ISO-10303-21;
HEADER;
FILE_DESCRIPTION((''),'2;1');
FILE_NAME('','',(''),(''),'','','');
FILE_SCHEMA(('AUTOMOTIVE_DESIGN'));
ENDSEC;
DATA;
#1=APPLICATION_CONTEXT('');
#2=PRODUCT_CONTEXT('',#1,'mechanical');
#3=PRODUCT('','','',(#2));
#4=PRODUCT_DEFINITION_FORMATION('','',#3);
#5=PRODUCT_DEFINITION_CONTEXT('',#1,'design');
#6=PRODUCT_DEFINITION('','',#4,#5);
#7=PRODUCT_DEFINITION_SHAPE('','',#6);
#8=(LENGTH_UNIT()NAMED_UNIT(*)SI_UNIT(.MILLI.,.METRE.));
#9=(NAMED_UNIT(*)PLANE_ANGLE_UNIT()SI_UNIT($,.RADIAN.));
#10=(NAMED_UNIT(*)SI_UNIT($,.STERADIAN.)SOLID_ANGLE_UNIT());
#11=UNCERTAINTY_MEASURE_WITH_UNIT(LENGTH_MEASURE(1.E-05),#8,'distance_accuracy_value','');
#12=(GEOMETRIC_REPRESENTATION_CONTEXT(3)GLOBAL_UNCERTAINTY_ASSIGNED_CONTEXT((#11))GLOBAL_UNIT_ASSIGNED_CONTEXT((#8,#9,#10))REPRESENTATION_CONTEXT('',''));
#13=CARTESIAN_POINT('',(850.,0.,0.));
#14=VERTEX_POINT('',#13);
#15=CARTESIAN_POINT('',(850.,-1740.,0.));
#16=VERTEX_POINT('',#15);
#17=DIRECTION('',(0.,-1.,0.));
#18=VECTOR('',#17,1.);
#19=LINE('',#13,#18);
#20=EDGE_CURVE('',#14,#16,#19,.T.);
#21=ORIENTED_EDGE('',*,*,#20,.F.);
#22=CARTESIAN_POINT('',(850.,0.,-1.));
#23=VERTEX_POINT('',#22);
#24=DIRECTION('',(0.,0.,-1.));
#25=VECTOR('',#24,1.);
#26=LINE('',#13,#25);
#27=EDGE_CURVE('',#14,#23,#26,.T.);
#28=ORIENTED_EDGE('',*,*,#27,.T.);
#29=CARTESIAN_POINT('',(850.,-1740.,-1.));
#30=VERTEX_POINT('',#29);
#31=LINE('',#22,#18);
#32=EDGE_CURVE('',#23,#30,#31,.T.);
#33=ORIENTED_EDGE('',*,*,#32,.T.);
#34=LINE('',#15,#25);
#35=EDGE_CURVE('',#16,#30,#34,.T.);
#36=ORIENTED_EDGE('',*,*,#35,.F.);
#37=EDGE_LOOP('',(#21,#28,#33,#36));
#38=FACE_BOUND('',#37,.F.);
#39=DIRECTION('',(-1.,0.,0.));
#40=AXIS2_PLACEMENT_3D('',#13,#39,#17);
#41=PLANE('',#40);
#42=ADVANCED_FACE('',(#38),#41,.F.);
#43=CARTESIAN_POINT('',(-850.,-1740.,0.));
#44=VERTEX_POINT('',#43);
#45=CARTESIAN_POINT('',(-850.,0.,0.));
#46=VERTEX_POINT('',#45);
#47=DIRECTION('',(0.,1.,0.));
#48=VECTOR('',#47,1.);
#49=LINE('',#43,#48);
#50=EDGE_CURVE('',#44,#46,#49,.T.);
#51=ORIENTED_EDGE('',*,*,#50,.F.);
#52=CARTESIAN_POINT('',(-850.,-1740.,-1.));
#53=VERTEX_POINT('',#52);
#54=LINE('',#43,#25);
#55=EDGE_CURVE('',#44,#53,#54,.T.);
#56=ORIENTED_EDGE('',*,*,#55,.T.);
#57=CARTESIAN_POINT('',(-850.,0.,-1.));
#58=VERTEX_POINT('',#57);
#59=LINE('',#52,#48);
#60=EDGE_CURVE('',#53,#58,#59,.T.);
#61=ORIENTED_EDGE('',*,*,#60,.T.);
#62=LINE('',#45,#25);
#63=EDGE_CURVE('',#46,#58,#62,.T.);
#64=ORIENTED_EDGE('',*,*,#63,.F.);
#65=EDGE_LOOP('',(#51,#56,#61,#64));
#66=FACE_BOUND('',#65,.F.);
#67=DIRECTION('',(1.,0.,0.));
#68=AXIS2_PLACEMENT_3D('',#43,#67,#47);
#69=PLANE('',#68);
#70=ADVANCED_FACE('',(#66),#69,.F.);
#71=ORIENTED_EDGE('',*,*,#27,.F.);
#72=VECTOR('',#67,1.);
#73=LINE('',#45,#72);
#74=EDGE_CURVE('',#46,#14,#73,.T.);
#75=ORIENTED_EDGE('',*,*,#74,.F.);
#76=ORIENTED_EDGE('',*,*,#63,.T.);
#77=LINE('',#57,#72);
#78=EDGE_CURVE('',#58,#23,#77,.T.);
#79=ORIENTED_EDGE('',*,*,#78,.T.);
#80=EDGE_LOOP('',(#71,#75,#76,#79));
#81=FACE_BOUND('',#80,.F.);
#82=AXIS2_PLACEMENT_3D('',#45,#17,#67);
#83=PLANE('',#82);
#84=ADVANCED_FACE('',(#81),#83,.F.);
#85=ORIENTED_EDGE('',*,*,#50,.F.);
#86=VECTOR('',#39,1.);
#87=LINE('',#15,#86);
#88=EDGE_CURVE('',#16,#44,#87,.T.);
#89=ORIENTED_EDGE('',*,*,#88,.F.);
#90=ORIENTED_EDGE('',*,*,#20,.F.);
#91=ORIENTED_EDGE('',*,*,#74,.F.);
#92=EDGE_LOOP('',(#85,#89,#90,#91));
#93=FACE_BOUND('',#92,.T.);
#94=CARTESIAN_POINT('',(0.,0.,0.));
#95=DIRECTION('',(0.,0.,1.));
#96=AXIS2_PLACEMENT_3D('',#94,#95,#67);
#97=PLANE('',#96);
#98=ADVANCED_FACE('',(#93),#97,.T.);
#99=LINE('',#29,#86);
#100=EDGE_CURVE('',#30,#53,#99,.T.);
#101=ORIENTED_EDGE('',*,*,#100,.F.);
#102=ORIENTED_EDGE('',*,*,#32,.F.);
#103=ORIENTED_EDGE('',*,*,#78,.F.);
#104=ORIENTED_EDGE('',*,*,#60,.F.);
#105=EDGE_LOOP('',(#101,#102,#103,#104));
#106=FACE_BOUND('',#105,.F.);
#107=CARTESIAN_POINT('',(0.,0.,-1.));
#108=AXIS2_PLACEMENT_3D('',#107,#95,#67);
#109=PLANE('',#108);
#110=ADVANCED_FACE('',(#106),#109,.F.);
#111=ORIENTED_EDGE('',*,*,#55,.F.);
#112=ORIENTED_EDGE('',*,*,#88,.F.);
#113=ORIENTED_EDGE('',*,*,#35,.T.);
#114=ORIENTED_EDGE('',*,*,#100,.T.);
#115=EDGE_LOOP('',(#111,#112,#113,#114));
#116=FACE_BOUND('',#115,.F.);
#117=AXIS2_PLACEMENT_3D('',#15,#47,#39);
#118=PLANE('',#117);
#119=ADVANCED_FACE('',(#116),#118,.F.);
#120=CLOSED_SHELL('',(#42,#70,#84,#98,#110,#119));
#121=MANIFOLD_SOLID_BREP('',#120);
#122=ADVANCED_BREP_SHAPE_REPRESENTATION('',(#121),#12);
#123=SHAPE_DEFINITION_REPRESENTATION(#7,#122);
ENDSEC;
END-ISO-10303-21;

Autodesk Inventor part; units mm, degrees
ref_plane "YZ Plane" through (0, 0, 0) normal (1, 0, 0) x (0, 1, 0)
ref_plane "XZ Plane" through (0, 0, 0) normal (0, 1, 0) x (-1, 0, 0)
ref_plane "XY Plane" through (0, 0, 0) normal (0, 0, 1) x (1, 0, 0)
sketch "Sketch1" plane through (0, 0, 0) normal (0, 0, 1) x (1, 0, 0)
  line L0 (850, -1740) -> (-850, -1740)
  line L1 (-850, -1740) -> (-850, 0)
  line L2 (-850, 0) -> (850, 0)
  line L3 (850, 0) -> (850, -1740)
  line L4 (850, -1740) -> (-850, 0) construction
  line L5 (-850, -1740) -> (850, 0) construction
  point P0 (0, 0)
  point P1 (0, -870)
  point P2 (0, 0)
  dimension "d0" = 1700
  dimension "d1" = 1740
extrude "Extrusion1" add sketch "Sketch1" against normal blind 1
sketch3d "3D Sketch1"
properties part number "MSC DIM 009.1 BASE FRAME SKETCH"
